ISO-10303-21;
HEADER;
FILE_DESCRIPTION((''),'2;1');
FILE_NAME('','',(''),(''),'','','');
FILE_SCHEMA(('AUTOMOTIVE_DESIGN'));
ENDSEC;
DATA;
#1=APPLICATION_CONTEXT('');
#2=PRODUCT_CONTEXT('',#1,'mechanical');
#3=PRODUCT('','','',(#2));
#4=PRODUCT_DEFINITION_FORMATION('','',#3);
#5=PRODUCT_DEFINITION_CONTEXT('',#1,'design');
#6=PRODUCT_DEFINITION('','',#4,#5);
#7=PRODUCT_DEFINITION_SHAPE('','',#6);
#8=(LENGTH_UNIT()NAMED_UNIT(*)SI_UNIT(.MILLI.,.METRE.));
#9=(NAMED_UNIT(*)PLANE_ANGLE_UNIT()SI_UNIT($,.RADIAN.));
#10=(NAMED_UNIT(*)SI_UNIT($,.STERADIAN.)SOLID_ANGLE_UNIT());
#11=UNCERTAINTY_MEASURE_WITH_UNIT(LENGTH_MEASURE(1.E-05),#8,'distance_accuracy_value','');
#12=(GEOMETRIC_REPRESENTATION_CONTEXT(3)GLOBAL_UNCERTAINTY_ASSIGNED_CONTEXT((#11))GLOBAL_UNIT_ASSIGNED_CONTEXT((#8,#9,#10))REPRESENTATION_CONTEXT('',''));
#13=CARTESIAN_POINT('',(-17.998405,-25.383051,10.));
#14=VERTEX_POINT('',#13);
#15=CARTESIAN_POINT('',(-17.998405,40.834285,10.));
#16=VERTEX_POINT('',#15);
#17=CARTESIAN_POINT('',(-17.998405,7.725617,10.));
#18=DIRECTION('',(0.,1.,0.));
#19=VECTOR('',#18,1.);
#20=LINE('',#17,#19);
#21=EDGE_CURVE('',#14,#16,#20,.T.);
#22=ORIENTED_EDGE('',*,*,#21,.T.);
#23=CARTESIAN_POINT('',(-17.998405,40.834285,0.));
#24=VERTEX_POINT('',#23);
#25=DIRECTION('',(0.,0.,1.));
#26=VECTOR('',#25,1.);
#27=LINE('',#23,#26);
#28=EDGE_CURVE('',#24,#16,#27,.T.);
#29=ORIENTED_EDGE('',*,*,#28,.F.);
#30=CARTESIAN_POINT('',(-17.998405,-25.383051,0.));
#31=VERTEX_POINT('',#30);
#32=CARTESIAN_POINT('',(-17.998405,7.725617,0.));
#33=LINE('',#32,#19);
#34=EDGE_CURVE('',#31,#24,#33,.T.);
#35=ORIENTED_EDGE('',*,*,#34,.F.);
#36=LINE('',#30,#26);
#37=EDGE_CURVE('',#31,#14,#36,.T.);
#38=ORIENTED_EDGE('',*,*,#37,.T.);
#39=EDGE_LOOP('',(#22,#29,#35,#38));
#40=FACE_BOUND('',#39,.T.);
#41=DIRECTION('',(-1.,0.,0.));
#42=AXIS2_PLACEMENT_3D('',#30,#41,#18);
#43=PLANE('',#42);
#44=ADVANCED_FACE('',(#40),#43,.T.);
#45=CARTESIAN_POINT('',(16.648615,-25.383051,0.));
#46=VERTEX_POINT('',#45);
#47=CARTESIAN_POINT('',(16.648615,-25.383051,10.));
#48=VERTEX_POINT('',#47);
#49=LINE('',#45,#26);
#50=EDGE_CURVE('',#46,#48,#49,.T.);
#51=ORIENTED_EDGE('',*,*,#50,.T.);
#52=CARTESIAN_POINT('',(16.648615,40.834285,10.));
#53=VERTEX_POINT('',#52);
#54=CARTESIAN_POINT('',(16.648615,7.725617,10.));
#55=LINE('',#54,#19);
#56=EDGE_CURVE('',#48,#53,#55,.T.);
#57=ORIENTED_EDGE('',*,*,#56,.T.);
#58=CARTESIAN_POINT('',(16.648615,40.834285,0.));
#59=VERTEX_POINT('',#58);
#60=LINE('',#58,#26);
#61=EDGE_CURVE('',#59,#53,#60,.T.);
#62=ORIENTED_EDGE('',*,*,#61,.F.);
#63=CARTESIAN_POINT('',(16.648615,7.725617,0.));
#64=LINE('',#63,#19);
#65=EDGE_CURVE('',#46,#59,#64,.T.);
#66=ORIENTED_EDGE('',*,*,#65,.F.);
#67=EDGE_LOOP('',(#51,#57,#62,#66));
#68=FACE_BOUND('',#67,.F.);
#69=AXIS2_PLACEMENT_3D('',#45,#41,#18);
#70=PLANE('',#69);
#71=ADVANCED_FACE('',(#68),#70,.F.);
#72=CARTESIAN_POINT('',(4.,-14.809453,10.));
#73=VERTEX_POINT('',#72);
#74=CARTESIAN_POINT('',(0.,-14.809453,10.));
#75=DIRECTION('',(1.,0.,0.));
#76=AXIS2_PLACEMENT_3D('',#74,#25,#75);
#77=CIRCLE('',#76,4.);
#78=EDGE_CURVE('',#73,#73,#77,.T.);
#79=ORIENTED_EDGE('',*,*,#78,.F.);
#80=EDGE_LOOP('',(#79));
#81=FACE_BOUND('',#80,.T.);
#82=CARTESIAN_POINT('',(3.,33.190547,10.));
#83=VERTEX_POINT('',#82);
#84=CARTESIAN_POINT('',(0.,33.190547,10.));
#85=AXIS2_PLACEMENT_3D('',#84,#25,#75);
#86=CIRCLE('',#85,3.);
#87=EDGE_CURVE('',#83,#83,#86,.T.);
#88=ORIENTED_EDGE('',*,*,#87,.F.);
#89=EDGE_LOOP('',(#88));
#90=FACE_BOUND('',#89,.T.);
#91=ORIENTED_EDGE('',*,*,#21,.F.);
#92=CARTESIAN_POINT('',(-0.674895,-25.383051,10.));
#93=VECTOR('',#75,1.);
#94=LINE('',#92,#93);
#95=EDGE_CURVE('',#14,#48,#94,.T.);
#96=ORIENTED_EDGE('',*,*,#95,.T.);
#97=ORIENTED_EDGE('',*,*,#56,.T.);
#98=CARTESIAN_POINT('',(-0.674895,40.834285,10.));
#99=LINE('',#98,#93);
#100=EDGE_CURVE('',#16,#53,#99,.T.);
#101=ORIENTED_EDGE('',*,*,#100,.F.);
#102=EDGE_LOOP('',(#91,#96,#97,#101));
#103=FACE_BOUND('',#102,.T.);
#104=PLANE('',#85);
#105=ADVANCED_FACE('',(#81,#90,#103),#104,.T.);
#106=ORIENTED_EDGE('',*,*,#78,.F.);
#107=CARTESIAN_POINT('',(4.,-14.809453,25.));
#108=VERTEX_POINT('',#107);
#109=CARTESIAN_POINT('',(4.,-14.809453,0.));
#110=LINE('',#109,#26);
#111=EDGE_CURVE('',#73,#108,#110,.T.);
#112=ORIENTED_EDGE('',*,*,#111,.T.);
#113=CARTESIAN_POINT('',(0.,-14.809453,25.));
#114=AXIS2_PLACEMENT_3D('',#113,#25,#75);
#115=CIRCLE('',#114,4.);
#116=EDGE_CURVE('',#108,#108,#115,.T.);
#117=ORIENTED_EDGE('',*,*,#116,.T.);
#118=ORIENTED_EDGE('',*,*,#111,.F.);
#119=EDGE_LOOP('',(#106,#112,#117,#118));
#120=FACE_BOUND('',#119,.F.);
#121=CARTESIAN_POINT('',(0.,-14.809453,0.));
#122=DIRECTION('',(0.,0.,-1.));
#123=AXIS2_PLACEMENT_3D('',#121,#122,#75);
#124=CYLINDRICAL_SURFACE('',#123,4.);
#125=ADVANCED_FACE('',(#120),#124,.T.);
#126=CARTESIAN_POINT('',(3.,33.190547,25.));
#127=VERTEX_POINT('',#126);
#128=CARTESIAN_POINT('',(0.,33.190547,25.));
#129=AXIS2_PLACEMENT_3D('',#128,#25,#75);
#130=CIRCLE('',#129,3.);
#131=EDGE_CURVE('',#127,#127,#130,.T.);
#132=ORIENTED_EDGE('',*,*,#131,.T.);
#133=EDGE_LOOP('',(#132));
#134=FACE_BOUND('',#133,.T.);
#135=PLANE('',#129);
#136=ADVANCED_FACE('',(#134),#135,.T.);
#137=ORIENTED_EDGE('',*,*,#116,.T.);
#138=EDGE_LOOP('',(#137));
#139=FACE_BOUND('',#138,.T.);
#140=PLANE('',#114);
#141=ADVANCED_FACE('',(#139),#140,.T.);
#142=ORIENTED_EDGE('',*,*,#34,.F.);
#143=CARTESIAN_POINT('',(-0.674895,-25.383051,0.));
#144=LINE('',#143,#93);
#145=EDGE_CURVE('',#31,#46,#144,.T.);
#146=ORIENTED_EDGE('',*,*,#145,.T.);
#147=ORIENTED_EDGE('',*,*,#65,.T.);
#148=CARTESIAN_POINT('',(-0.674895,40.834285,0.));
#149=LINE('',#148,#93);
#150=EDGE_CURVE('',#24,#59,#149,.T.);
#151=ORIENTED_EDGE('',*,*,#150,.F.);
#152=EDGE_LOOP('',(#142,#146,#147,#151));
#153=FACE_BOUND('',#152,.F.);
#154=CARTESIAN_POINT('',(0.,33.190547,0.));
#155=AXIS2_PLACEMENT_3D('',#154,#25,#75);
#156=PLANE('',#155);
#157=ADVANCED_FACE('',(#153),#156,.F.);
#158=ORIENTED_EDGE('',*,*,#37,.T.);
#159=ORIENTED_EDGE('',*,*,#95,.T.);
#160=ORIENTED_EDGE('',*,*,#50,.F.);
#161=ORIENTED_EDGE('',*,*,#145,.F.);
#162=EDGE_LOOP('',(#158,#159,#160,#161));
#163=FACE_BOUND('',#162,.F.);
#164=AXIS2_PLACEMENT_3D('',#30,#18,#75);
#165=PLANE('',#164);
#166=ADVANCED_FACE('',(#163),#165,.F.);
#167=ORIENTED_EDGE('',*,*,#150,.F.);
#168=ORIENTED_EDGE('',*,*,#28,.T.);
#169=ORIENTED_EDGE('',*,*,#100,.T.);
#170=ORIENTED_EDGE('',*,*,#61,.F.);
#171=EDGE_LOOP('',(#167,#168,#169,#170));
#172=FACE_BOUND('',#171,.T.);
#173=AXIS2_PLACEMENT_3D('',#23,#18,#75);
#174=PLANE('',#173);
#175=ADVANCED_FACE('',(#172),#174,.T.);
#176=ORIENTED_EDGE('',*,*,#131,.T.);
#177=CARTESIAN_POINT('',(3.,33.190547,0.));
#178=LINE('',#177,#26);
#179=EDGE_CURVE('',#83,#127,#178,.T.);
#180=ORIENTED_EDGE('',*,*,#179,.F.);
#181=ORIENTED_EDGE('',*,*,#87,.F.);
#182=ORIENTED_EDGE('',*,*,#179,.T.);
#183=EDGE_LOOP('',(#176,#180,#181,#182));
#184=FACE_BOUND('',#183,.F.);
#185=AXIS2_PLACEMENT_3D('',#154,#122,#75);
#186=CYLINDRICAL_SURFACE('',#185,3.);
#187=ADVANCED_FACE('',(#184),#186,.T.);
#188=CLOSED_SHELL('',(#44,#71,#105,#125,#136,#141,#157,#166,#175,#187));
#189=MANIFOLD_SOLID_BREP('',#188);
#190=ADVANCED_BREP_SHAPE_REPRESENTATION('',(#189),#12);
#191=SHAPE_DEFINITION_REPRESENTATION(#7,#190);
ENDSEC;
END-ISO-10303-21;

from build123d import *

# Parameters (mm, degrees)
F0_R     = 3
F0_R_2   = 4
F0_W     = 34.64702
F0_H     = 66.217336
F1_DEPTH = 10
F2_DEPTH = 25


with BuildPart() as f1:
    # F0 (on Top) → F1 (new body)
    with BuildSketch(Plane.XY):
        with Locations((0, 33.190547)):
            Circle(F0_R)
        with Locations((0, -14.809453)):
            Circle(F0_R_2)
        with Locations((-0.674895, 7.725617)):
            Rectangle(F0_W, F0_H)
        with Locations((0, -14.809453)):
            Circle(F0_R_2, mode=Mode.SUBTRACT)
        with Locations((0, 33.190547)):
            Circle(F0_R, mode=Mode.SUBTRACT)
    extrude(amount=F1_DEPTH)

    # F0 (on Top) → F2 (join)
    with BuildSketch(Plane.XY):
        with Locations((0, -14.809453)):
            Circle(F0_R_2)
        with Locations((0, 33.190547)):
            Circle(F0_R)
    extrude(amount=F2_DEPTH)


solid = f1.part
